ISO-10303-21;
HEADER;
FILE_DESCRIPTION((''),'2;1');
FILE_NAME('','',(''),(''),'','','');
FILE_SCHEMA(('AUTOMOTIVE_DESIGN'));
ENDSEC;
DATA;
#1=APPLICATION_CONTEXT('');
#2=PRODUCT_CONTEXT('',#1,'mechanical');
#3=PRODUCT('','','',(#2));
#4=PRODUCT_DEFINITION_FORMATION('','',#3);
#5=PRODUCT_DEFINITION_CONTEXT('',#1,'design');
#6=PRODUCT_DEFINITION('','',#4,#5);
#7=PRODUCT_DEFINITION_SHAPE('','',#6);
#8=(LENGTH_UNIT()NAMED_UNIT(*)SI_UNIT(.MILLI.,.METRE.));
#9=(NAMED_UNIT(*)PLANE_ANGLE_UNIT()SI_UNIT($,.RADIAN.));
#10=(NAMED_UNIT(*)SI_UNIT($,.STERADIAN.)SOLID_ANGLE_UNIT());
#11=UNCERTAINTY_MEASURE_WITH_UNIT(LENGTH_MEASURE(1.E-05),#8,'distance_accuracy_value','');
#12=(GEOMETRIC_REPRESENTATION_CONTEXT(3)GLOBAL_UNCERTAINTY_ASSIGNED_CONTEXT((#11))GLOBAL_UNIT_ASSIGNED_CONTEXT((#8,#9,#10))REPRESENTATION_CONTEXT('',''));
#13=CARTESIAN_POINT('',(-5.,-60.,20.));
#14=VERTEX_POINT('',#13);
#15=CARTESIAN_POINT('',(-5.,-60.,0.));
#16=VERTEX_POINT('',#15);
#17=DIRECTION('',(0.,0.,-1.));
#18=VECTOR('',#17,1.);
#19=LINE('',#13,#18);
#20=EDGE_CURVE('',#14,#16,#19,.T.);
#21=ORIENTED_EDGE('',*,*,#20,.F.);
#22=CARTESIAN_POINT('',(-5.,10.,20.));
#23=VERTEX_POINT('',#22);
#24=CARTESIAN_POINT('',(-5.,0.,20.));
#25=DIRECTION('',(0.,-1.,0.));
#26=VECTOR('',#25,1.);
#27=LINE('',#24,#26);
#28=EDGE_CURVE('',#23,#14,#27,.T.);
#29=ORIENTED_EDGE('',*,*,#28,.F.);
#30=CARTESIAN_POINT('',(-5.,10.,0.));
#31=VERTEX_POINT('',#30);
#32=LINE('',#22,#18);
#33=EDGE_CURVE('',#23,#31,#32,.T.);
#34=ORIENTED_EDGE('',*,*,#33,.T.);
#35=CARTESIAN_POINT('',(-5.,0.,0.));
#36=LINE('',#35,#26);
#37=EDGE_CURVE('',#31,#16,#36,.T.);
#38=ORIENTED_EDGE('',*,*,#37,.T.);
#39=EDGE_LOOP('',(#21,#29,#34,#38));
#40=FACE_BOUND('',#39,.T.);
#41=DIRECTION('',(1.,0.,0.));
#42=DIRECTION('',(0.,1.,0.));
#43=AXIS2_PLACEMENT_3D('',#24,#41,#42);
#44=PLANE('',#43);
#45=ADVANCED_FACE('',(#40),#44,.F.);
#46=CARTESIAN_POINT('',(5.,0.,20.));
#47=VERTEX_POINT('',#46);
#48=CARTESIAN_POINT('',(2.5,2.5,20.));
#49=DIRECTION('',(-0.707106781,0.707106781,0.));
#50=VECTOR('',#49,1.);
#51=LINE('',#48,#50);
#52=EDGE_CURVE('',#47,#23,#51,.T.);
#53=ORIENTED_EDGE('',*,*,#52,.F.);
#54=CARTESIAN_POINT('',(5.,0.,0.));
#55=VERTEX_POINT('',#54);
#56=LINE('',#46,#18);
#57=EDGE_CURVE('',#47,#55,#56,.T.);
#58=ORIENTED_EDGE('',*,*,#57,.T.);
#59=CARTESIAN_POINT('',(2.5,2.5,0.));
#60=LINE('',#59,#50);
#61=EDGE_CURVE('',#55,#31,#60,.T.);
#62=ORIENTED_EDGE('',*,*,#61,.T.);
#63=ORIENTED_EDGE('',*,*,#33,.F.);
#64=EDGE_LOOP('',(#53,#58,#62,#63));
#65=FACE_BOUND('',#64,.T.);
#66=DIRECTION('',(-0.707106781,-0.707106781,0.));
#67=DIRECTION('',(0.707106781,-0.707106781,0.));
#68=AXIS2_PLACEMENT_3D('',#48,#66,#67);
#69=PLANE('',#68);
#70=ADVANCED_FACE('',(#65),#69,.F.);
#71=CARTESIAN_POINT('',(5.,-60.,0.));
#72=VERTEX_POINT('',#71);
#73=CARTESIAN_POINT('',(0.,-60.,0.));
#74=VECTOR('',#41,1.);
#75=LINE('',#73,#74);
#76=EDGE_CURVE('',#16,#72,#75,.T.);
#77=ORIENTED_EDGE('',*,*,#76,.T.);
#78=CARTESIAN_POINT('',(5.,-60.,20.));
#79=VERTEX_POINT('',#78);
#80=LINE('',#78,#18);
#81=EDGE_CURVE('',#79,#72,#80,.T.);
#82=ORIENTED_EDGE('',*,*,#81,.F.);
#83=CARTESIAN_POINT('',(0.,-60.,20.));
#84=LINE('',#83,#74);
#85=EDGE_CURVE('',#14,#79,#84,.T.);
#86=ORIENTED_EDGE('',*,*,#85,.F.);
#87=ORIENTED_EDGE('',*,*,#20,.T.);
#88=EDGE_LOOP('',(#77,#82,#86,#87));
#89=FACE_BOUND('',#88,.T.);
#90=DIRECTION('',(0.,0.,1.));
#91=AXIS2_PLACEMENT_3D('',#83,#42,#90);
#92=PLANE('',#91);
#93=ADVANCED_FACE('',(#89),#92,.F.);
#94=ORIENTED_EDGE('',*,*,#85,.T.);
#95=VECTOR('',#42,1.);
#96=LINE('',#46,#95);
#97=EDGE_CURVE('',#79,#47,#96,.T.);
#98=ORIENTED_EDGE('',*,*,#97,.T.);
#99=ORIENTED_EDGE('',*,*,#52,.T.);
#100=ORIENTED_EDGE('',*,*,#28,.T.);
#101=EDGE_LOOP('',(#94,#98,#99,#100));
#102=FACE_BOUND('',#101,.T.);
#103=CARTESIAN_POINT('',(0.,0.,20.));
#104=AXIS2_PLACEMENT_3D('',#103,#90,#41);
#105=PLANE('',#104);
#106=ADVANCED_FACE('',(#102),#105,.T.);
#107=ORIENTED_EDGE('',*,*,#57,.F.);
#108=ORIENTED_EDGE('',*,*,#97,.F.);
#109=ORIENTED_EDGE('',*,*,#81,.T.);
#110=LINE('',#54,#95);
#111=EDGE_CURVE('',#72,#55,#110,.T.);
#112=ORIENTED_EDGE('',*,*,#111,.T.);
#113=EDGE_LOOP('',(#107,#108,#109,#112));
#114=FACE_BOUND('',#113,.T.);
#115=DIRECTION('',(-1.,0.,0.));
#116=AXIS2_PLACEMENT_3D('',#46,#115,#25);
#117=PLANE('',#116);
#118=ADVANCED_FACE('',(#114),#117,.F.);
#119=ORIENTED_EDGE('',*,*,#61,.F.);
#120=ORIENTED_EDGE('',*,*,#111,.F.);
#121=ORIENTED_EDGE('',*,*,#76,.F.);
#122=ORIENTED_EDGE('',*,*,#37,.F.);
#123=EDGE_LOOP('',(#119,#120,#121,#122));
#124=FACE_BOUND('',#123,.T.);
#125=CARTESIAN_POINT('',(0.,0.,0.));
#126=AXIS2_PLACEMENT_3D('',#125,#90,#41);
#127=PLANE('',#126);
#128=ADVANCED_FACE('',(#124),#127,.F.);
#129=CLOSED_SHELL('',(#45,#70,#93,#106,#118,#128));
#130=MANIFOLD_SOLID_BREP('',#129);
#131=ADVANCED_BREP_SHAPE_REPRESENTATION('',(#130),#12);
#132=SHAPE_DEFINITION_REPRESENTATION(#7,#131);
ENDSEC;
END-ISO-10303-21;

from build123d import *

# Parameters (mm, degrees)
ESTRUSIONE_ESTRUSIONE1_DEPTH = 20


with BuildPart() as part:
    # Schizzo1 → Estrusione-Estrusione1 (new body)
    with BuildSketch(Plane.XY):
        Polygon((5, 0), (-5, 10), (-5, 0), (-5, -60), (5, -60), align=None)
    extrude(amount=ESTRUSIONE_ESTRUSIONE1_DEPTH)


solid = part.part
